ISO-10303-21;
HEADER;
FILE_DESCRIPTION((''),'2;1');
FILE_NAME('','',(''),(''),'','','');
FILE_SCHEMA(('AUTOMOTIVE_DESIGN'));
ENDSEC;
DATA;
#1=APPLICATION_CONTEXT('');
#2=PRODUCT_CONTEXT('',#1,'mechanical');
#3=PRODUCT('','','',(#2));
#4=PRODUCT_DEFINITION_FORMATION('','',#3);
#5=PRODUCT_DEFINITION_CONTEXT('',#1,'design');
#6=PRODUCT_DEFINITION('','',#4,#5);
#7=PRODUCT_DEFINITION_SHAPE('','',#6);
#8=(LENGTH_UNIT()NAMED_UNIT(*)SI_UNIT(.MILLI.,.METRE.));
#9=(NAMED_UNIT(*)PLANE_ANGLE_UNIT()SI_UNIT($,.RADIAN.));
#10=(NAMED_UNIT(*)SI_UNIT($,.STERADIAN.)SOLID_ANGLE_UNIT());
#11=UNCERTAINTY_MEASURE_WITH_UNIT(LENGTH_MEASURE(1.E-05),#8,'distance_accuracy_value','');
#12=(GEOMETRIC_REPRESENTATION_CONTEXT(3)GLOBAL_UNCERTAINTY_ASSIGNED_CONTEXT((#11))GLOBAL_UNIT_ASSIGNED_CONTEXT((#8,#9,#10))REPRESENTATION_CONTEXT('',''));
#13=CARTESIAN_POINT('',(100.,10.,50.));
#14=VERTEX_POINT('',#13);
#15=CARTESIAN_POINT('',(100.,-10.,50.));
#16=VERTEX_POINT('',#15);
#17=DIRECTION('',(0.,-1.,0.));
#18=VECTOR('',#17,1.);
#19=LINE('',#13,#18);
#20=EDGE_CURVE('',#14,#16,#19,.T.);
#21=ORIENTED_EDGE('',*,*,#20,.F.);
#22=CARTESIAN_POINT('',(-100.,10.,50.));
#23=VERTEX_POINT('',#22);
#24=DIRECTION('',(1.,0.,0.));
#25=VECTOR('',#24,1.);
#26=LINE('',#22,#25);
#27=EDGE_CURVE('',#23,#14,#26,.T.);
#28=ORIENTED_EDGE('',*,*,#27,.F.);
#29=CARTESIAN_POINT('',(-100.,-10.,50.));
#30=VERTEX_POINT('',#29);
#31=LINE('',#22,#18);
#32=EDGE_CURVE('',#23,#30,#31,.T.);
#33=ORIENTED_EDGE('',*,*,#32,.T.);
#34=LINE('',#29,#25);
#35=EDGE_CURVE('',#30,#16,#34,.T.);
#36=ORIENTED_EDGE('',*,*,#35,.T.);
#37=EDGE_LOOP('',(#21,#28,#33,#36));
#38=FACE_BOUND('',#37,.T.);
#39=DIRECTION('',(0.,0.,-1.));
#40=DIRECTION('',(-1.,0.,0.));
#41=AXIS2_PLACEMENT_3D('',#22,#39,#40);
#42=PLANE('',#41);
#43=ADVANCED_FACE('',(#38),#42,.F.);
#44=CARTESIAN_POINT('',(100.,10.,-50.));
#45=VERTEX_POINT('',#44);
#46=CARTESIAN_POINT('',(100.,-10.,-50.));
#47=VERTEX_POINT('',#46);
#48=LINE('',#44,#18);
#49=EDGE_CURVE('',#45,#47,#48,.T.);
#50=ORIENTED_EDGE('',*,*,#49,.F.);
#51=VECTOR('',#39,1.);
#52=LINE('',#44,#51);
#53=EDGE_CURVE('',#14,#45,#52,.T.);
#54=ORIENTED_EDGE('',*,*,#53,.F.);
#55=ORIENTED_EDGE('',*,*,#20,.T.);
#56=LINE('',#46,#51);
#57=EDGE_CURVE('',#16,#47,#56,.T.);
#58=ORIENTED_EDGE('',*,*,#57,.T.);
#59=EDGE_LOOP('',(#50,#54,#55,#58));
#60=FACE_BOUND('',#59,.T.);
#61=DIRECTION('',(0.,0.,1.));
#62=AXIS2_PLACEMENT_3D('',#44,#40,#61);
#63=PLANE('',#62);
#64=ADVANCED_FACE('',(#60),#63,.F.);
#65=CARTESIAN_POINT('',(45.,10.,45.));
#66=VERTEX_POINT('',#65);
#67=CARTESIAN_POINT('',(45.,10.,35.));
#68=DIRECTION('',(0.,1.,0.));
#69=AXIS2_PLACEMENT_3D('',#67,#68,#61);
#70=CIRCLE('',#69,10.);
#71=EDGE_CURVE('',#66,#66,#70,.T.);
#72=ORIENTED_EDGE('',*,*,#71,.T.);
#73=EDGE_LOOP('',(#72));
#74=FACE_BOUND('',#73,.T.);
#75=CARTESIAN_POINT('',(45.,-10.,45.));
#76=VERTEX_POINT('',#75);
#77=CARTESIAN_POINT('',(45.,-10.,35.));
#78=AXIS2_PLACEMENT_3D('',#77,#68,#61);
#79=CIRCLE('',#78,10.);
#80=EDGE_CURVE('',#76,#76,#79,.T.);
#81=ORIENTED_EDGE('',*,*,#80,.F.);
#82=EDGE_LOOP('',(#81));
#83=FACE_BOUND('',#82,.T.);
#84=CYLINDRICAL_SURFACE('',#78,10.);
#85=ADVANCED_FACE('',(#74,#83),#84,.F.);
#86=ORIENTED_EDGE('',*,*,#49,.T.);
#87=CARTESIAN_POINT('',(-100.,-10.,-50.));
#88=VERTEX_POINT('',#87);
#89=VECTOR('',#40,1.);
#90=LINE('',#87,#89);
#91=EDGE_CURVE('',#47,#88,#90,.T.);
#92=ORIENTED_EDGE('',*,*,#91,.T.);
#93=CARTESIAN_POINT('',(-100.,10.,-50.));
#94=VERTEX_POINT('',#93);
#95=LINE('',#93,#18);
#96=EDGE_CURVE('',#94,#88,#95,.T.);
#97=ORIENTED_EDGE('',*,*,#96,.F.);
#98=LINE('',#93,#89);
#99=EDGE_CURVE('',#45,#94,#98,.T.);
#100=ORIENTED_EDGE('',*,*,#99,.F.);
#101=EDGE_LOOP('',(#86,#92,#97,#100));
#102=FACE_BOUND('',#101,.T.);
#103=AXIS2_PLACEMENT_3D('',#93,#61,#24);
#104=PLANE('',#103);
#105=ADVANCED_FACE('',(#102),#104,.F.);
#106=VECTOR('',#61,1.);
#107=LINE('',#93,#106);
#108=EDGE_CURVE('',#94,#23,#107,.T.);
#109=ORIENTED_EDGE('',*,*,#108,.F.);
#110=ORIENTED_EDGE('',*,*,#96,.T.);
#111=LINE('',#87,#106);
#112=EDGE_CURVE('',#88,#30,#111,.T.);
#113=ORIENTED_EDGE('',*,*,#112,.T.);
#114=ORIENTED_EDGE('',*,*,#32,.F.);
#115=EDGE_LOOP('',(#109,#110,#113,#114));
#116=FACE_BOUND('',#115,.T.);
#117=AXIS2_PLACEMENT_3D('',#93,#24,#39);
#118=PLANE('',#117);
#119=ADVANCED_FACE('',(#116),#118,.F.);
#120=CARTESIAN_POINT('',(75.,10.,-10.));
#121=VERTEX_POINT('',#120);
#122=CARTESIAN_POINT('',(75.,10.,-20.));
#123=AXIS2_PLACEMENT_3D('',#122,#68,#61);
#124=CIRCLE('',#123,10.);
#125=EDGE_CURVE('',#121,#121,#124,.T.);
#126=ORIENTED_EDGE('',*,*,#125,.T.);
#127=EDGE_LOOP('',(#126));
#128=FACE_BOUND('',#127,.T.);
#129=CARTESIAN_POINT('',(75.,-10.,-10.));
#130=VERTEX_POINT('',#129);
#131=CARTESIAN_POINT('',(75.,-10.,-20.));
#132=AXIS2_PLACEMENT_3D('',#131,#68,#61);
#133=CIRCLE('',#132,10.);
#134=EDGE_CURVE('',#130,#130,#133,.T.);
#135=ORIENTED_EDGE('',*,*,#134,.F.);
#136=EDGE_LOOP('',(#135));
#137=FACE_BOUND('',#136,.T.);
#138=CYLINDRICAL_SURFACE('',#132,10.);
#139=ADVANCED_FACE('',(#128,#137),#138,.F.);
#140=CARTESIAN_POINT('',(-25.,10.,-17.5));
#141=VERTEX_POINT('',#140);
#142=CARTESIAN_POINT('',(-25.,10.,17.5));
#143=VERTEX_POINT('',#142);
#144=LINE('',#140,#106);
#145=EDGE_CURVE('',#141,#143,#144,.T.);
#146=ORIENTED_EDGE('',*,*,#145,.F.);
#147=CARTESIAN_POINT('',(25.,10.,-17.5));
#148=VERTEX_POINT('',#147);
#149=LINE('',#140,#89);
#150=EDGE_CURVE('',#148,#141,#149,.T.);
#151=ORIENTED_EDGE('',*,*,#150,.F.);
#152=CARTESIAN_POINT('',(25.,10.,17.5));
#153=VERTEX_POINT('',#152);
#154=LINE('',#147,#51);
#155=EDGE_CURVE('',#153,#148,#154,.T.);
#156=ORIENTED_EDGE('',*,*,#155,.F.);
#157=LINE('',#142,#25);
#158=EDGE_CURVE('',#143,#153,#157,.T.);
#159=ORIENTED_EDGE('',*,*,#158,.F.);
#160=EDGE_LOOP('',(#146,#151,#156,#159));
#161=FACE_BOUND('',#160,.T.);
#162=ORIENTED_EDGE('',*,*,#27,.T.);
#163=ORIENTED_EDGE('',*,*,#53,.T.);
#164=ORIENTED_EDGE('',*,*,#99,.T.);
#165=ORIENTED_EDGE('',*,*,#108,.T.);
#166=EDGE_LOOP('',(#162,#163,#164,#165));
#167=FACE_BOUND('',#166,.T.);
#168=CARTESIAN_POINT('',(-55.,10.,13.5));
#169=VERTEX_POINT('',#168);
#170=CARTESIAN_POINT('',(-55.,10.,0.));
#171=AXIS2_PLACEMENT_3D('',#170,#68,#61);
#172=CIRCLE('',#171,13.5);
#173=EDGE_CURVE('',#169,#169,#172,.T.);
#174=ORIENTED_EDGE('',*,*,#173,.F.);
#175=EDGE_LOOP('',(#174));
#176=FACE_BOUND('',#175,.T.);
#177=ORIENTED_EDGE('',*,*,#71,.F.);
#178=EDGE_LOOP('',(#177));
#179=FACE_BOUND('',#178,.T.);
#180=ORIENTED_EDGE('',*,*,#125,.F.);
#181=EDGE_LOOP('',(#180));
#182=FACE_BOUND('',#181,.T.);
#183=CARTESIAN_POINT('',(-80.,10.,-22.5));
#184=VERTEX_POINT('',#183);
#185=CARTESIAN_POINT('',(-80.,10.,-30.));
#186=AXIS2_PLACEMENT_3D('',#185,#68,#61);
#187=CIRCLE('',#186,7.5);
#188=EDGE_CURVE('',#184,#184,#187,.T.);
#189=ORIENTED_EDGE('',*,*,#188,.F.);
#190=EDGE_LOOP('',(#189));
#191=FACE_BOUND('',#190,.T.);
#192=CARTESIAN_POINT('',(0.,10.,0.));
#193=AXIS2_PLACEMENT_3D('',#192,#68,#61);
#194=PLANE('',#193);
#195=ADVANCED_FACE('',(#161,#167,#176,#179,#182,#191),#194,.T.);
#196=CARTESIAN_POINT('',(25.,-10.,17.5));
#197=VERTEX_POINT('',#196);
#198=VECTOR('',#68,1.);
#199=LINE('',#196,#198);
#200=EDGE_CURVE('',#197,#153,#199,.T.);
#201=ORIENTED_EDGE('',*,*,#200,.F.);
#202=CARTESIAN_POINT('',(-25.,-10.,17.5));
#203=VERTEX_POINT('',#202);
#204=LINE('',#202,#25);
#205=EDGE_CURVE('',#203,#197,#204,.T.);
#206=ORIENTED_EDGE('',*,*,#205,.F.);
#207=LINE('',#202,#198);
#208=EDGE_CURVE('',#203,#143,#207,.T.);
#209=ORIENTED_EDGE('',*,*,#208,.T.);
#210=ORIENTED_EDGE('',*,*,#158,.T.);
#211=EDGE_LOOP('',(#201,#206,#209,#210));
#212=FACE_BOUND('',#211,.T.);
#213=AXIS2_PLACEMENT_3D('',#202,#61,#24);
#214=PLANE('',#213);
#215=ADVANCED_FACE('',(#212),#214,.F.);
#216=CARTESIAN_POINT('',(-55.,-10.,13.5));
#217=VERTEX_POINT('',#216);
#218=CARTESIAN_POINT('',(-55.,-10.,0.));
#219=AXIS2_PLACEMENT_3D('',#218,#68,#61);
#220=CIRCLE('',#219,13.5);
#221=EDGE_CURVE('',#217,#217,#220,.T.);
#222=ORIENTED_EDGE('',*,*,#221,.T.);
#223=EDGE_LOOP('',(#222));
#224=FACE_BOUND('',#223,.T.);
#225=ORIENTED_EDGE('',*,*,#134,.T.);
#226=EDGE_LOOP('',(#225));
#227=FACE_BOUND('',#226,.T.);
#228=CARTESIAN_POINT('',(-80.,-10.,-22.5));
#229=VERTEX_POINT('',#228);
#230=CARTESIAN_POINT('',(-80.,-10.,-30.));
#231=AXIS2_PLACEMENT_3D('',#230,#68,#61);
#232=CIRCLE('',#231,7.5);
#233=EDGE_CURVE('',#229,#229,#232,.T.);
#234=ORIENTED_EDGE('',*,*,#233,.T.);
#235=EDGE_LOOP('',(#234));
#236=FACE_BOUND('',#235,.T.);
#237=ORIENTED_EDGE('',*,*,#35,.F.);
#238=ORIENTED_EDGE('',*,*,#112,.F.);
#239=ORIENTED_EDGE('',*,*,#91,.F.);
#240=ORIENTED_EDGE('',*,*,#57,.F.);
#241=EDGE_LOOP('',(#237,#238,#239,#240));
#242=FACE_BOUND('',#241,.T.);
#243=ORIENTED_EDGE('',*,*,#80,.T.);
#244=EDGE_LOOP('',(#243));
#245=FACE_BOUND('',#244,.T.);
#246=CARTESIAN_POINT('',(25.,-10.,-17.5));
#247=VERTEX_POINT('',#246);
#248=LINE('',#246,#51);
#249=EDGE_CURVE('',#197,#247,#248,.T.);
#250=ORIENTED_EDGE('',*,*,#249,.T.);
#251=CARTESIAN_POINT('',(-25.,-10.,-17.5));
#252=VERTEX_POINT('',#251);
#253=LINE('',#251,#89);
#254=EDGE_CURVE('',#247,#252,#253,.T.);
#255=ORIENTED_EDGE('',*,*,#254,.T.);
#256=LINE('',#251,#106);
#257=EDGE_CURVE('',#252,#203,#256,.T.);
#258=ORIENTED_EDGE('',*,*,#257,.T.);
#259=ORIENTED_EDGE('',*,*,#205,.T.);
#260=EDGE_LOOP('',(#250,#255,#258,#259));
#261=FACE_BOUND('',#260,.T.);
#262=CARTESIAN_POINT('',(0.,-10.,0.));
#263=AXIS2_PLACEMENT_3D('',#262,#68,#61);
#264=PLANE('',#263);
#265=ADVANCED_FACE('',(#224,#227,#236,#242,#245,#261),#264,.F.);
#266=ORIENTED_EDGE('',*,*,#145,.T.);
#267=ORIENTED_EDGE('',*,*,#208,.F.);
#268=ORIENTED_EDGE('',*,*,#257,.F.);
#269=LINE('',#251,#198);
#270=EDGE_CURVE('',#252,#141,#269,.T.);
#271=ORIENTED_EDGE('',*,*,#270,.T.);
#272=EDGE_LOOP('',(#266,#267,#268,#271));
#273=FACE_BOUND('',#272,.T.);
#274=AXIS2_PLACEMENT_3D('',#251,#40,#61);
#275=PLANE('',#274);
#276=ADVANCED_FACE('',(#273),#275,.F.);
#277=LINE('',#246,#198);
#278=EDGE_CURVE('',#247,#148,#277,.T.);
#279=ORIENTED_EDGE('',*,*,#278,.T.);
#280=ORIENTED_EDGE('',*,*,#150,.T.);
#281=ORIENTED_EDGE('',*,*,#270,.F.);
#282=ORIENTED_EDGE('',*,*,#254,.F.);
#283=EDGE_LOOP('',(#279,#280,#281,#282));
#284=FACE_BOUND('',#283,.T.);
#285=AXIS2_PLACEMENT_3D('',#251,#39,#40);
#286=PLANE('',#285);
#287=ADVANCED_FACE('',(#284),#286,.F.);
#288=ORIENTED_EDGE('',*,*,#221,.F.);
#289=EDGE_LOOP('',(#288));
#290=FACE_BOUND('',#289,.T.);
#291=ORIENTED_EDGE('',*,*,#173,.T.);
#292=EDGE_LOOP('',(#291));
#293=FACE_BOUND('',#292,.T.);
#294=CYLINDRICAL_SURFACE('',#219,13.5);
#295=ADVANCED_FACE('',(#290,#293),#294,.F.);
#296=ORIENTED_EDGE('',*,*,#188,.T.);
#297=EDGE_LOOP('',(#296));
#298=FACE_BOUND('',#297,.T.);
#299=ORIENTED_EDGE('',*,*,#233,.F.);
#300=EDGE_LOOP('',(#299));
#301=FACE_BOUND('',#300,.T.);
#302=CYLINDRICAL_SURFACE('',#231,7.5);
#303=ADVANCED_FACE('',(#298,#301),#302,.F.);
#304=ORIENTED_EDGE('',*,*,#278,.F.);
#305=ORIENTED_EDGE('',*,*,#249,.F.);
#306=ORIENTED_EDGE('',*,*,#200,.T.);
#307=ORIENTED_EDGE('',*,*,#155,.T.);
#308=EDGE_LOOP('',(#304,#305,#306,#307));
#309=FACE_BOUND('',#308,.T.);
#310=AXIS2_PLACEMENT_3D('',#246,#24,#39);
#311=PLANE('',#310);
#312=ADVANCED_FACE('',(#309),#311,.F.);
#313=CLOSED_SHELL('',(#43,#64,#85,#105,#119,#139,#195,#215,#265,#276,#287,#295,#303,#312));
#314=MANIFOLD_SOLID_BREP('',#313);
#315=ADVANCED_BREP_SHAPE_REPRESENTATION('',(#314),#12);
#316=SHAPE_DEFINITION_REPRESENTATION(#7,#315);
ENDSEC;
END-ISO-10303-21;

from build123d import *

# Parameters (mm, degrees)
SKETCH1_W           = 200
SKETCH1_H           = 100
BOSS_EXTRUDE1_DEPTH = 10
SKETCH2_R           = 7.5
SKETCH2_R_2         = 13.5
SKETCH2_R_3         = 10
SKETCH2_W           = 50
SKETCH2_H           = 35
CUT_EXTRUDE1_DEPTH  = 114.578166916


with BuildPart() as part:
    # Sketch1 → Boss-Extrude1 (new, symmetric)
    with BuildSketch(Plane(origin=(0, 0, 0), x_dir=(1, 0, 0), z_dir=(0, 1, 0))):
        Rectangle(SKETCH1_W, SKETCH1_H)
    extrude(amount=BOSS_EXTRUDE1_DEPTH, both=True)

    # Sketch2 → Cut-Extrude1 (cut, through all)
    with BuildSketch(Plane(origin=(0, 10, 0), x_dir=(1, 0, 0), z_dir=(0, 1, 0))):
        with Locations(Location((-80, 30, 0), (0, 0, 270))):
            Circle(SKETCH2_R)
        with Locations(Location((-55, 0, 0), (0, 0, 270))):
            Circle(SKETCH2_R_2)
        with Locations(Location((75, 20, 0), (0, 0, 270))):
            Circle(SKETCH2_R_3)
        with Locations(Location((45, -35, 0), (0, 0, 270))):
            Circle(SKETCH2_R_3)
        Rectangle(SKETCH2_W, SKETCH2_H)
    extrude(amount=-CUT_EXTRUDE1_DEPTH, mode=Mode.SUBTRACT)


solid = part.part
